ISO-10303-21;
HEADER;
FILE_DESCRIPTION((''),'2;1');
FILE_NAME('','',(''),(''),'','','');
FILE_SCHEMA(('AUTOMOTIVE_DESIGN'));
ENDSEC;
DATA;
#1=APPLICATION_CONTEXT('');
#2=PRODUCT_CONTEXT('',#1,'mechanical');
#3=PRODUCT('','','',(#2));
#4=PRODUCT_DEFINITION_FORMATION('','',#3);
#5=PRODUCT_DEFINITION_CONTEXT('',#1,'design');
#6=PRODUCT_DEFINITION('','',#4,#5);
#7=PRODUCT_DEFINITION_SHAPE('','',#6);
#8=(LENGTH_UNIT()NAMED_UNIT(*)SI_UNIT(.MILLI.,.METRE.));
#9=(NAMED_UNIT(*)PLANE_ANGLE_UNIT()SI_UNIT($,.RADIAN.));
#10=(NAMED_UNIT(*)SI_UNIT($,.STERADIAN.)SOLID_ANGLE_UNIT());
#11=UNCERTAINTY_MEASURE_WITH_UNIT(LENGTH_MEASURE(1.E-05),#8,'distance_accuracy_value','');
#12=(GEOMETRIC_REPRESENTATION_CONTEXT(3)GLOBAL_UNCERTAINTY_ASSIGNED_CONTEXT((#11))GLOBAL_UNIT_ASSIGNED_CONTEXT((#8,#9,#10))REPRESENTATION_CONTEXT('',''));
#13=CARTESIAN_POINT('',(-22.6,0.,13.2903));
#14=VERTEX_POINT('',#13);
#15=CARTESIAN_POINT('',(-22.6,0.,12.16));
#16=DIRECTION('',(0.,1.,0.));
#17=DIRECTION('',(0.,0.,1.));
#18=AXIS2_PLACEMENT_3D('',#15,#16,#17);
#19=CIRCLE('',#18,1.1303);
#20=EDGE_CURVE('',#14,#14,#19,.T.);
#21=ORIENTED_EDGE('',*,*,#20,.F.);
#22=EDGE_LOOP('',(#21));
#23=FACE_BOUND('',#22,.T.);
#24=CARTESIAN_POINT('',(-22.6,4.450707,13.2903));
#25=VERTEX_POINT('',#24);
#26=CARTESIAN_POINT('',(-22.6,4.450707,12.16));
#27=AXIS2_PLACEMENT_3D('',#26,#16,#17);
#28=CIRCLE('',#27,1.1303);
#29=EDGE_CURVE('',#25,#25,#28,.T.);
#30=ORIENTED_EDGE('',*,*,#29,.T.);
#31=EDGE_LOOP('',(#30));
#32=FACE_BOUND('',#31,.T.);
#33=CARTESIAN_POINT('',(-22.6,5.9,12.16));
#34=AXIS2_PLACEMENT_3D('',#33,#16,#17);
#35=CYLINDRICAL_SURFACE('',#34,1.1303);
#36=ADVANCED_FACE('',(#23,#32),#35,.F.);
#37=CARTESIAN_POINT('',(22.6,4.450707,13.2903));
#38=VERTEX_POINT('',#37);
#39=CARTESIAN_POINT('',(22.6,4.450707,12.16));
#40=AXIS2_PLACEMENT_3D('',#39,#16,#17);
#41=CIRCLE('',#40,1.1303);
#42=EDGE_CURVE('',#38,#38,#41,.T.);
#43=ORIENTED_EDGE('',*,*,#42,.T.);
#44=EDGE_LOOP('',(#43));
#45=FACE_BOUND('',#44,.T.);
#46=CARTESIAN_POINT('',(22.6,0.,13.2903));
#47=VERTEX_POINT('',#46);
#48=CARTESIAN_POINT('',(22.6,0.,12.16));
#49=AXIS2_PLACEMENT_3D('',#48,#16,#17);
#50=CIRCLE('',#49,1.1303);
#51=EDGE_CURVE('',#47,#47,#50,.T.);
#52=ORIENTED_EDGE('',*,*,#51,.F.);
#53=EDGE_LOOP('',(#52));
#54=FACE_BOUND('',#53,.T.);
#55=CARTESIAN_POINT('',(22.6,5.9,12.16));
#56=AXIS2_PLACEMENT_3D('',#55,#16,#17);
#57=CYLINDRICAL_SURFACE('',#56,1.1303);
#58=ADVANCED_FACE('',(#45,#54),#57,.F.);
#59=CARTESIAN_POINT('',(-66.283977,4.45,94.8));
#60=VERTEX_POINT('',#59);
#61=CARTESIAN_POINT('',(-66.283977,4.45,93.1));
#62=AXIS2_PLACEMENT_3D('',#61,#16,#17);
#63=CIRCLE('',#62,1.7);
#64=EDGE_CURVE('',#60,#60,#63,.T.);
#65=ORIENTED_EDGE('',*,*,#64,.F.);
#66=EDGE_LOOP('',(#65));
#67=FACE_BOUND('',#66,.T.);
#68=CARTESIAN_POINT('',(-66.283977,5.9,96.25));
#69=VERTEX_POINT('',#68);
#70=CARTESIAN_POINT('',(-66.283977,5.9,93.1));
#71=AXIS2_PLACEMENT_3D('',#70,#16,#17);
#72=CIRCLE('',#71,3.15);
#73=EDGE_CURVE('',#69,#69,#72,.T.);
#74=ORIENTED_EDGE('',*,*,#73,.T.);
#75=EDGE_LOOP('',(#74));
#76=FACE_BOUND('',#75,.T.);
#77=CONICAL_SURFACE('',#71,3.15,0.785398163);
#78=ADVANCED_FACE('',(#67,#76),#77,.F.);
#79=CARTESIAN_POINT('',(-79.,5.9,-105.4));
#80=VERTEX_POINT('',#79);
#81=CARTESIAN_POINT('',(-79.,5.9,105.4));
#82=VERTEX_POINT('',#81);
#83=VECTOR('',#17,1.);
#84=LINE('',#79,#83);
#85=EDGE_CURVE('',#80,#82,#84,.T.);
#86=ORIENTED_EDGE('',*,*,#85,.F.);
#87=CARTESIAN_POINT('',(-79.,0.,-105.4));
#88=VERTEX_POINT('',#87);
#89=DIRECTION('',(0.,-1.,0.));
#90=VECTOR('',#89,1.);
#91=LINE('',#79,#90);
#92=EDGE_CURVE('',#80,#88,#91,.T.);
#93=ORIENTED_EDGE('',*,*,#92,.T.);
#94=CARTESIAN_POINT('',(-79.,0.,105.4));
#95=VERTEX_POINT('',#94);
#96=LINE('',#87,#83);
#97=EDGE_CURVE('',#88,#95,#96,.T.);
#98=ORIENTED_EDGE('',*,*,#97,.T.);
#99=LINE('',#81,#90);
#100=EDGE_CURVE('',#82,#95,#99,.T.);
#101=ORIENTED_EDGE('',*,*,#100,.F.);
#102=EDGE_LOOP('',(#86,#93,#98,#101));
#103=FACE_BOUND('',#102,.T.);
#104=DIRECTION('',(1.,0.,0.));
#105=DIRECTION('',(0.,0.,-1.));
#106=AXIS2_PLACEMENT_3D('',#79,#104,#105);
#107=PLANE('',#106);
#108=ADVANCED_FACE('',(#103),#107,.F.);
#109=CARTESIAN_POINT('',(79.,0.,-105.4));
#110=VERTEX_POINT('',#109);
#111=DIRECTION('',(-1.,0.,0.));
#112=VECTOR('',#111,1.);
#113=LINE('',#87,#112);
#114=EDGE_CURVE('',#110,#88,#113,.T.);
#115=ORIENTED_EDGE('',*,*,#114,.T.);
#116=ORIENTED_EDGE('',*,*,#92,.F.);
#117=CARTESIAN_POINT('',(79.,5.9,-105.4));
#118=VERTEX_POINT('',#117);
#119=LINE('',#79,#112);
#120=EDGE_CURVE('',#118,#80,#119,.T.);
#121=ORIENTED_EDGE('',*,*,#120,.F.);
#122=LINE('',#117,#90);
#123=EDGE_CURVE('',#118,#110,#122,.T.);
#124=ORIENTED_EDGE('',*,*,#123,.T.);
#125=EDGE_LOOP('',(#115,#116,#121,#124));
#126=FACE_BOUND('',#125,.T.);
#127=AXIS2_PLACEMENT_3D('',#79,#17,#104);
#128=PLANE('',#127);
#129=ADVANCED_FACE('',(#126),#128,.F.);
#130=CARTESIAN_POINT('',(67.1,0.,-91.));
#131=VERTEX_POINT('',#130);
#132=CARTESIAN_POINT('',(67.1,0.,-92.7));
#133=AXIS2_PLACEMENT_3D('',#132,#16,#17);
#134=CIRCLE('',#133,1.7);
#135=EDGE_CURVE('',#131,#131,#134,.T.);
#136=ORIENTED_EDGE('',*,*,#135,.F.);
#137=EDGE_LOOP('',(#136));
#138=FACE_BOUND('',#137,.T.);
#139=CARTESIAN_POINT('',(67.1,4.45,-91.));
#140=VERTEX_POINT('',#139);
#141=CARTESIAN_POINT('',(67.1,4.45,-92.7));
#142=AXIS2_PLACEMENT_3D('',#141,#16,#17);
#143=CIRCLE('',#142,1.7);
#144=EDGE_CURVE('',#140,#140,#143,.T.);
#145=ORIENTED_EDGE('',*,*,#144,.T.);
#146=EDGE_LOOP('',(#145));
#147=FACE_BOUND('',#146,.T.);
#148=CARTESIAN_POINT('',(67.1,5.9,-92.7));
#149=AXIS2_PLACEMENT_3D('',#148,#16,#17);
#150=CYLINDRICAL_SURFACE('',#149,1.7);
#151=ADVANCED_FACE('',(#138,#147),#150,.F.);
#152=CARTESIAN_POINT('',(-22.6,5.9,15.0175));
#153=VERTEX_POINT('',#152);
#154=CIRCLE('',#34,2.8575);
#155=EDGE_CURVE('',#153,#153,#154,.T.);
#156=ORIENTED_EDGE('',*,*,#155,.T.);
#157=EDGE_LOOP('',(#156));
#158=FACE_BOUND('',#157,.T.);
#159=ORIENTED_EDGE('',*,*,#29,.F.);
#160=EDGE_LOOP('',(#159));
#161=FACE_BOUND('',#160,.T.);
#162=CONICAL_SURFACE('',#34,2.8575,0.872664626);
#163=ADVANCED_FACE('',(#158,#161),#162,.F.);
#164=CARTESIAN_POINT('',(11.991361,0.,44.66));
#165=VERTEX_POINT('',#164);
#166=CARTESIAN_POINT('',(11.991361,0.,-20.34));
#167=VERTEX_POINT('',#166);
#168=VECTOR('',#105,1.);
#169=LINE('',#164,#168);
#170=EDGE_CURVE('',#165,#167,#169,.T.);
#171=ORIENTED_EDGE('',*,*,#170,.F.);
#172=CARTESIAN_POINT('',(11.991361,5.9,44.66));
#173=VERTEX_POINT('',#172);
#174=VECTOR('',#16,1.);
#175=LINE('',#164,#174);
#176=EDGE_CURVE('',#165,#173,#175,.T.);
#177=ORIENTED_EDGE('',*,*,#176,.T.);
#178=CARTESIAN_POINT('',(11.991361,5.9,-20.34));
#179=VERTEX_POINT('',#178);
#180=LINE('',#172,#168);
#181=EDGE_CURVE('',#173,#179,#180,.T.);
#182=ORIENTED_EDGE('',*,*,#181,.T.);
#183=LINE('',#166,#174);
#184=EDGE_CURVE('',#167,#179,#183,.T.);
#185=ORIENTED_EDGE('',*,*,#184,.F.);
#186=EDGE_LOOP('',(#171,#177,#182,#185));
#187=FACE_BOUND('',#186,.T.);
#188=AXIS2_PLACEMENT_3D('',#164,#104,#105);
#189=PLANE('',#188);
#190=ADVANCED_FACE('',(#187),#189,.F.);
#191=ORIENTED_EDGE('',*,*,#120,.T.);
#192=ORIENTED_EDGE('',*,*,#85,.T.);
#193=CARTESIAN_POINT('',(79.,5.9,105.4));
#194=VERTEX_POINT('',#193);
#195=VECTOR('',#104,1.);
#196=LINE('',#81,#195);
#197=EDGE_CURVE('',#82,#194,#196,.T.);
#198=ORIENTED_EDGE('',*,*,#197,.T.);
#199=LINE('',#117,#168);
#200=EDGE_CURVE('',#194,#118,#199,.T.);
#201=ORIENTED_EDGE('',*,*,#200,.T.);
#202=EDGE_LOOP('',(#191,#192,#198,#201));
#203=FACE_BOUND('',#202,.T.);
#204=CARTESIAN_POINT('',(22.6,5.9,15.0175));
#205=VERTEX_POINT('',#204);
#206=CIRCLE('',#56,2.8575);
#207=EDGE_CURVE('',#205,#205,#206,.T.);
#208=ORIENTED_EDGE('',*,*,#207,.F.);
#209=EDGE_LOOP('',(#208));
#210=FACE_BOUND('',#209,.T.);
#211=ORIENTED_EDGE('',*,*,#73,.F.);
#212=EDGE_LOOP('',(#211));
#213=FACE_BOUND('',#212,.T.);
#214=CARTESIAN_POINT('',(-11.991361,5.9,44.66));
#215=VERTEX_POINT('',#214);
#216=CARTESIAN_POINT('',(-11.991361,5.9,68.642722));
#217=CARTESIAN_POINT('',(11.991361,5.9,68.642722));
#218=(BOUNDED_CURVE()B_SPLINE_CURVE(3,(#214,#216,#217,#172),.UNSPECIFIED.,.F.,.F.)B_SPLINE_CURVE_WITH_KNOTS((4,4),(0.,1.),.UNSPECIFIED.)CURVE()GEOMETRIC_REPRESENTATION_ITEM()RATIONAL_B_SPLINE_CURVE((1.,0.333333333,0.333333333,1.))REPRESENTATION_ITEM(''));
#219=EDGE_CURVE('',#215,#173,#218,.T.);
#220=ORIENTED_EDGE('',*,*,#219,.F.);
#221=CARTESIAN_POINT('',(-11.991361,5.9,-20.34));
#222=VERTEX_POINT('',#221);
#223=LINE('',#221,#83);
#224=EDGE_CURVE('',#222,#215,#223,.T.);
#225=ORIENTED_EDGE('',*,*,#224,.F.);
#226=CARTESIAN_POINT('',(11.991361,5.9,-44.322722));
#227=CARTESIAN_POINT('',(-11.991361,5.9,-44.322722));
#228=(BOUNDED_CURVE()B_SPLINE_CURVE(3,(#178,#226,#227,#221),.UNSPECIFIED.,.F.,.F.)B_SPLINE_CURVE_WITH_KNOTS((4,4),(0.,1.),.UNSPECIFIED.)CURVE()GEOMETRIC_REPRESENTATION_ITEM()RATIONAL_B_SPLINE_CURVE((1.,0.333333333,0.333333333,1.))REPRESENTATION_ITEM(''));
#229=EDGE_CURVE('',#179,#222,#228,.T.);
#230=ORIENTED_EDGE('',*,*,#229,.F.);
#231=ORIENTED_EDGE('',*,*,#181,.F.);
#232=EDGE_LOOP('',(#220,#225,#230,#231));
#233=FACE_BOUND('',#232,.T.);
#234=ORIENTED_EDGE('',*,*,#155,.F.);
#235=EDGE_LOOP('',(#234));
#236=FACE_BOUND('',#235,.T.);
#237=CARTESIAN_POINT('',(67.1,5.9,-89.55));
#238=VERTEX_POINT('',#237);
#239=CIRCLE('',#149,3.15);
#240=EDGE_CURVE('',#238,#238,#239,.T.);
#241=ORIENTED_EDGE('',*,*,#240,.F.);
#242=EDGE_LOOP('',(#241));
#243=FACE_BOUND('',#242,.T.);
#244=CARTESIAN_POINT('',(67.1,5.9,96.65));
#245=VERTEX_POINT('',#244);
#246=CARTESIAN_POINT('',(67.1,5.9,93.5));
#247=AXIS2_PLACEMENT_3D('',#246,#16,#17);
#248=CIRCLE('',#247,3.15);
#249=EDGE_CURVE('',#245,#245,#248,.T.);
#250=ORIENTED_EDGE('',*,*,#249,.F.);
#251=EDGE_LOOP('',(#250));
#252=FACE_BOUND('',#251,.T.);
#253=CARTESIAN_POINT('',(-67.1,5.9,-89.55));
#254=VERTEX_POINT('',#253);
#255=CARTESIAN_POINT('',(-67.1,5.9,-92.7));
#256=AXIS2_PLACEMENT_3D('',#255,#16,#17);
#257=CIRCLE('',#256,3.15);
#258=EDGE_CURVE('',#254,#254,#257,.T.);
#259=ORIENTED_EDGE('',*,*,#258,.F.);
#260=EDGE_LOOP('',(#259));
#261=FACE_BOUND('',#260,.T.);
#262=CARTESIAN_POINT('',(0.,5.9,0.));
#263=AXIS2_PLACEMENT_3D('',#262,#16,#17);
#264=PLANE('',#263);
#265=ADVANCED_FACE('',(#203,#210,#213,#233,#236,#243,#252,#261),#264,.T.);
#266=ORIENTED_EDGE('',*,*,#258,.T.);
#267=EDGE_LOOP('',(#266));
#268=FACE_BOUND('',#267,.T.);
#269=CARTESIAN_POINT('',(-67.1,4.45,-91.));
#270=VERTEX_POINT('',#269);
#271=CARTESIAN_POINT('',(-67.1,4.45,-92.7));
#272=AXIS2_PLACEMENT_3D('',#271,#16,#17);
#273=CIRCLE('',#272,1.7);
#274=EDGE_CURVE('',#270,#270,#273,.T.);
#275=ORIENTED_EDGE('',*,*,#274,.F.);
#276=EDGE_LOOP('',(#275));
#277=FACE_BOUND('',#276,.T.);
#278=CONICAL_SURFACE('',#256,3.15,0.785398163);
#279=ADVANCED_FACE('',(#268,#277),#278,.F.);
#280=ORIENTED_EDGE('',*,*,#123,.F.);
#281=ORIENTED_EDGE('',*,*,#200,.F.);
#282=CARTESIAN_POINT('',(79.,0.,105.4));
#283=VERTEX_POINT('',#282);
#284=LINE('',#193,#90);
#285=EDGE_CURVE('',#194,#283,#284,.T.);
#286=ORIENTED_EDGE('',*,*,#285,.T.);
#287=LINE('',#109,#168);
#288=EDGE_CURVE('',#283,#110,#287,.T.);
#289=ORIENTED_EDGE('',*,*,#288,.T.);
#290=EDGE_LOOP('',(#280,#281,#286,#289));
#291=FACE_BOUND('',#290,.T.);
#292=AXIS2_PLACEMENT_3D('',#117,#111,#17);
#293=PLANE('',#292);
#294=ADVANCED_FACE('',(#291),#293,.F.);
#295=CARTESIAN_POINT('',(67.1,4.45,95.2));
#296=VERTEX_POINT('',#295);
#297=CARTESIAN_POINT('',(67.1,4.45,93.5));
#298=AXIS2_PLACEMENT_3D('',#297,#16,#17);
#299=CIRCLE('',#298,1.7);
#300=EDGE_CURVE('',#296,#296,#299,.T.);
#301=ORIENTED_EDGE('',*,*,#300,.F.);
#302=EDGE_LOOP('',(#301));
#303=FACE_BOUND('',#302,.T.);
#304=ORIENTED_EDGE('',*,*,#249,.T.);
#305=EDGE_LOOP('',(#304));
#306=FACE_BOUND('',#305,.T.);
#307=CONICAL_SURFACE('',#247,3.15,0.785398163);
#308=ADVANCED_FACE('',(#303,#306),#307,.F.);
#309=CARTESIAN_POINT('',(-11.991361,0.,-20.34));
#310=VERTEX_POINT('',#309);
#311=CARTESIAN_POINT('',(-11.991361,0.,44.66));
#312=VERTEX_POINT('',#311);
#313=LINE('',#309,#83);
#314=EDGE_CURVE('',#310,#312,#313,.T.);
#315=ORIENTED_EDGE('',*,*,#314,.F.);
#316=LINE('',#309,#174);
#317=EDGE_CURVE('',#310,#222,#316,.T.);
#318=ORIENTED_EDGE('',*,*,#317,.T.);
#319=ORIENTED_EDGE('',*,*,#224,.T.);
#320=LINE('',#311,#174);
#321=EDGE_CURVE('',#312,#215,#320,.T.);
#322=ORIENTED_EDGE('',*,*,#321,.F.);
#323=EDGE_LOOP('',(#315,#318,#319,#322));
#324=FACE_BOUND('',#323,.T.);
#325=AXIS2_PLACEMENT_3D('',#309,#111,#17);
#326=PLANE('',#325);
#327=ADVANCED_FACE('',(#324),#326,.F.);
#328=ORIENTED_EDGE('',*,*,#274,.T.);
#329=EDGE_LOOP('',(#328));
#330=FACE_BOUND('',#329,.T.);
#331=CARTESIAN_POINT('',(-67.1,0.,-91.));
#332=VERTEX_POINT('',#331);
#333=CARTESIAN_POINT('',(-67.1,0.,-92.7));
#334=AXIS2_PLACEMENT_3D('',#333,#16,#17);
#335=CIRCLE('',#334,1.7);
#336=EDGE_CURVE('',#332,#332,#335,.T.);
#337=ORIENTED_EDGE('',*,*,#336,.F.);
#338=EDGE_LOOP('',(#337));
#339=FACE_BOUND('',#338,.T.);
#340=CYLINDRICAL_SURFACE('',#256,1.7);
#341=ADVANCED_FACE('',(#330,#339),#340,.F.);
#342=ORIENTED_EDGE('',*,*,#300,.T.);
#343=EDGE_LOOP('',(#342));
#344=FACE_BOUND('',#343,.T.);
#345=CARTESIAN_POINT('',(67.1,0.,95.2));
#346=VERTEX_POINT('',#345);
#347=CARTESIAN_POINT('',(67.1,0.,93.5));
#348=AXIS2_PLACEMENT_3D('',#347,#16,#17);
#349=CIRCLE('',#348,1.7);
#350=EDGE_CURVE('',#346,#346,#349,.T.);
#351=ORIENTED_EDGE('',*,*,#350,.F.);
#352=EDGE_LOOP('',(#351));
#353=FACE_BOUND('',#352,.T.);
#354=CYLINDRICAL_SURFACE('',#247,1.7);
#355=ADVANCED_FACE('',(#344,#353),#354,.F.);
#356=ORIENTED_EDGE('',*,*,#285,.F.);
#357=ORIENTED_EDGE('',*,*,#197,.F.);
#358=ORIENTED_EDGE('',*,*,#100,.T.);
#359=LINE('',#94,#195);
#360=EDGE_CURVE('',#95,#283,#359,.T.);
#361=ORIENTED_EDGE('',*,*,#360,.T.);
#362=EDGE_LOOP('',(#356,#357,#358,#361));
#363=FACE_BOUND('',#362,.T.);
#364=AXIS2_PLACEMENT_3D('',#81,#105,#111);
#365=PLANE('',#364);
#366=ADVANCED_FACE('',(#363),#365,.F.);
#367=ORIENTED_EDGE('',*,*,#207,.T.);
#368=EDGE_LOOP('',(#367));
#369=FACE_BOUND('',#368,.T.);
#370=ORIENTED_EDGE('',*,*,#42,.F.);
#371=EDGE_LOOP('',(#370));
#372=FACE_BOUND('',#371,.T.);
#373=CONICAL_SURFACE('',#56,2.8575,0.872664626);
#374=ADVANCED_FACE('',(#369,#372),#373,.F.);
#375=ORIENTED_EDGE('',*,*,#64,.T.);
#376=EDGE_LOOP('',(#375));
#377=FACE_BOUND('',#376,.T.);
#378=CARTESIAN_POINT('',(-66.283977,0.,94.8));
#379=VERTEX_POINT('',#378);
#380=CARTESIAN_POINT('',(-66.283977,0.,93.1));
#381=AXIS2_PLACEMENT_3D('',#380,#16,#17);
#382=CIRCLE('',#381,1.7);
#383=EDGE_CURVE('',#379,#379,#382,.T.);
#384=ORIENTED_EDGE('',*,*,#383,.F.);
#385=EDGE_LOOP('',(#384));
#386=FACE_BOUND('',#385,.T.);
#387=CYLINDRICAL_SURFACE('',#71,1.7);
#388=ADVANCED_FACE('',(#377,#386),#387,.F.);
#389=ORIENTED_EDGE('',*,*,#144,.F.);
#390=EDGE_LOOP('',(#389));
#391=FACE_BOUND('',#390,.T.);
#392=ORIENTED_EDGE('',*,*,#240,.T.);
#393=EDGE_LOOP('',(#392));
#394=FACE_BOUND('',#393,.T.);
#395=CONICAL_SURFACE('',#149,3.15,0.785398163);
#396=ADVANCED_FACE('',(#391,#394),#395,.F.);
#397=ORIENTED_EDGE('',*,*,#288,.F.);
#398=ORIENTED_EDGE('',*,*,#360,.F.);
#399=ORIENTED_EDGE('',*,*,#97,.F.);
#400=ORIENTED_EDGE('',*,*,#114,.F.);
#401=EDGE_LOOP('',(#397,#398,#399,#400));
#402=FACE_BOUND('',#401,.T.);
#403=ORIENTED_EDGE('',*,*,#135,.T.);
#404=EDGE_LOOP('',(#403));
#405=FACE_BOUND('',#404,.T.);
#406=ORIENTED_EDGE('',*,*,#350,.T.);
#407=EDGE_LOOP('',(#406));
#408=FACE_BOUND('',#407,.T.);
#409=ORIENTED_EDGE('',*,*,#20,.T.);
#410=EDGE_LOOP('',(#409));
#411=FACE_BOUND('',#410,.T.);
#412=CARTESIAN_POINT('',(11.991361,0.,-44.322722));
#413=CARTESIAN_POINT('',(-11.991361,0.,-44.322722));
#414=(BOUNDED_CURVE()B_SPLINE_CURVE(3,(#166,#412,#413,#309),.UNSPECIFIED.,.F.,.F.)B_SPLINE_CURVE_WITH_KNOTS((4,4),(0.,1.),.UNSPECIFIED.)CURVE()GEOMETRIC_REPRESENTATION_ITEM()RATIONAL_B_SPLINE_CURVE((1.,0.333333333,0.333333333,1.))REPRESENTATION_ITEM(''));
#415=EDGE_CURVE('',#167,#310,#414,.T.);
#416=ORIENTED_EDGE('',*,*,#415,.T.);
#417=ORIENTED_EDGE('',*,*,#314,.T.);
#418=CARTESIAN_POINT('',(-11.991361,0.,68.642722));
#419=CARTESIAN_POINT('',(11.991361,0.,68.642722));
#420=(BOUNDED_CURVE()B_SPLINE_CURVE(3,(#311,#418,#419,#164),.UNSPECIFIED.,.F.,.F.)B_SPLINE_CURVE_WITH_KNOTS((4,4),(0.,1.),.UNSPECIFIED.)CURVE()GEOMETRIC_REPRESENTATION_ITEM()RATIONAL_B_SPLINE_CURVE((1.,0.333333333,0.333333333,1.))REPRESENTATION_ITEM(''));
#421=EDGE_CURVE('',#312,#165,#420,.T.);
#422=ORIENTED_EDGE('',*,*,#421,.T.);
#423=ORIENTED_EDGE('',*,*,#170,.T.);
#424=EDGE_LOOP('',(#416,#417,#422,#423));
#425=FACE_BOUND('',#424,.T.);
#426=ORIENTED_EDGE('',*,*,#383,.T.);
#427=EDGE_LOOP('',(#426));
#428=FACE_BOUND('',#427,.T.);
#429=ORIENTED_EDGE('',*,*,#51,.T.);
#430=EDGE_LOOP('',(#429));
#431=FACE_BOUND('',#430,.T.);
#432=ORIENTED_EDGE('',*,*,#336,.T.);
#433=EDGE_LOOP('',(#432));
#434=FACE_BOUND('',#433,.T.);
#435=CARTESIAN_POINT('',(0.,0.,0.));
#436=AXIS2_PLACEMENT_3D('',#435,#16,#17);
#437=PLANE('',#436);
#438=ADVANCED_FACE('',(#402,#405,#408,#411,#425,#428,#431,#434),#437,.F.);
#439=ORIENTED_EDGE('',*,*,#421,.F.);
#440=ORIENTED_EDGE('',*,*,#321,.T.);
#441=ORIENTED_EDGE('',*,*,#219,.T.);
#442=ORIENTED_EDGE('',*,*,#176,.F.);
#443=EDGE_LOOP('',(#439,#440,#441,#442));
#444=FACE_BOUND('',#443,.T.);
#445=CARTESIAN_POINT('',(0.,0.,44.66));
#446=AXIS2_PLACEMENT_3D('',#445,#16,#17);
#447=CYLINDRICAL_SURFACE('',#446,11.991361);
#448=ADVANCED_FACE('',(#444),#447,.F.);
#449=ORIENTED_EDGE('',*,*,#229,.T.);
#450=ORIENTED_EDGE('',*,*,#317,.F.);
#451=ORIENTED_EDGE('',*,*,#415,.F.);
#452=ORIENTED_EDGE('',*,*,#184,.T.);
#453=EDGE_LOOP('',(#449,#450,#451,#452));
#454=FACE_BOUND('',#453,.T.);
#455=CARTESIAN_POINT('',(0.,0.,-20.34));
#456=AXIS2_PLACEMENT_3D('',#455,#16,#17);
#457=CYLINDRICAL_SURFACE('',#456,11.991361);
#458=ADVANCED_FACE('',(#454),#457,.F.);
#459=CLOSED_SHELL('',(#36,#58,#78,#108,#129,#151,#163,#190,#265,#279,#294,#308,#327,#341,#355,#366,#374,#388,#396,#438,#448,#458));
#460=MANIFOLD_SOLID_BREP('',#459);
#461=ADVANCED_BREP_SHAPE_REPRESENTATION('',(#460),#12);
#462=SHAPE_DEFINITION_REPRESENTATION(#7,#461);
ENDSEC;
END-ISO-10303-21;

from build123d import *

# Parameters (mm, degrees)
SKETCH1_W                                       = 158
SKETCH1_H                                       = 210.8
BOSS_EXTRUDE1_DEPTH                             = 5.9
CSK_FOR_M3_FLAT_HEAD_MACHINE_SCREW1_D           = 3.4
CSK_FOR_M3_FLAT_HEAD_MACHINE_SCREW1_DEPTH       = 10
CSK_FOR_M3_FLAT_HEAD_MACHINE_SCREW1_CSINK_D     = 6.3
CSK_FOR_M3_FLAT_HEAD_MACHINE_SCREW1_CSINK_ANGLE = 90
CSK_FOR_M3_FLAT_HEAD_MACHINE_SCREW1_TIP         = 1.021463052
CUT_EXTRUDE1_DEPTH                              = 132.852076207
F_4_40_TAPPED_HOLE1_D                           = 2.2606
F_4_40_TAPPED_HOLE1_DEPTH                       = 10
F_4_40_TAPPED_HOLE1_CSINK_D                     = 5.715
F_4_40_TAPPED_HOLE1_CSINK_ANGLE                 = 100
F_4_40_TAPPED_HOLE1_TIP                         = 0.679152758


with BuildPart() as part:
    # Sketch1 → Boss-Extrude1 (new body)
    with BuildSketch(Plane(origin=(0, 0, 0), x_dir=(1, 0, 0), z_dir=(0, 1, 0))):
        Rectangle(SKETCH1_W, SKETCH1_H)
    extrude(amount=BOSS_EXTRUDE1_DEPTH)

    # CSK for M3 Flat Head Machine Screw1
    with Locations(Plane(origin=(0, 5.9, 0), x_dir=(1, 0, 0), z_dir=(0, 1, 0))):
        with Locations((67.1, 92.7), (67.1, -93.5), (-66.28397659, -93.1), (-67.1, 92.7)):
            CounterSinkHole(CSK_FOR_M3_FLAT_HEAD_MACHINE_SCREW1_D / 2, CSK_FOR_M3_FLAT_HEAD_MACHINE_SCREW1_CSINK_D / 2, depth=CSK_FOR_M3_FLAT_HEAD_MACHINE_SCREW1_DEPTH, counter_sink_angle=CSK_FOR_M3_FLAT_HEAD_MACHINE_SCREW1_CSINK_ANGLE)
            with Locations((0, 0, -(CSK_FOR_M3_FLAT_HEAD_MACHINE_SCREW1_DEPTH + CSK_FOR_M3_FLAT_HEAD_MACHINE_SCREW1_TIP / 2))):  # 118° drill point
                Cone(0, CSK_FOR_M3_FLAT_HEAD_MACHINE_SCREW1_D / 2, CSK_FOR_M3_FLAT_HEAD_MACHINE_SCREW1_TIP, mode=Mode.SUBTRACT)

    # Sketch4 → Cut-Extrude1 (cut, through all)
    with BuildSketch(Plane(origin=(0, 5.9, 0), x_dir=(1, 0, 0), z_dir=(0, 1, 0))):
        with BuildLine():
            Line((-11.991361004, 20.34), (-11.991361004, -44.66))
            add(Edge.make_bspline(
                [(-11.991361004, -44.66), (-11.991361004, -68.642722008), (11.991361004, -68.642722008), (11.991361004, -44.66)],
                knots=[0, 0, 0, 0, 1, 1, 1, 1], degree=3, weights=[1, 0.333333333, 0.333333333, 1]))
            Line((11.991361004, -44.66), (11.991361004, 20.34))
            add(Edge.make_bspline(
                [(11.991361004, 20.34), (11.991361004, 44.322722008), (-11.991361004, 44.322722008), (-11.991361004, 20.34)],
                knots=[0, 0, 0, 0, 1, 1, 1, 1], degree=3, weights=[1, 0.333333333, 0.333333333, 1]))
        make_face()
    extrude(amount=-CUT_EXTRUDE1_DEPTH, mode=Mode.SUBTRACT)

    # #4-40 Tapped Hole1
    with Locations(Plane(origin=(0, 5.9, 0), x_dir=(1, 0, 0), z_dir=(0, 1, 0))):
        with Locations((-22.6, -12.16), (22.6, -12.16)):
            CounterSinkHole(F_4_40_TAPPED_HOLE1_D / 2, F_4_40_TAPPED_HOLE1_CSINK_D / 2, depth=F_4_40_TAPPED_HOLE1_DEPTH, counter_sink_angle=F_4_40_TAPPED_HOLE1_CSINK_ANGLE)
            with Locations((0, 0, -(F_4_40_TAPPED_HOLE1_DEPTH + F_4_40_TAPPED_HOLE1_TIP / 2))):  # 118° drill point
                Cone(0, F_4_40_TAPPED_HOLE1_D / 2, F_4_40_TAPPED_HOLE1_TIP, mode=Mode.SUBTRACT)


solid = part.part
